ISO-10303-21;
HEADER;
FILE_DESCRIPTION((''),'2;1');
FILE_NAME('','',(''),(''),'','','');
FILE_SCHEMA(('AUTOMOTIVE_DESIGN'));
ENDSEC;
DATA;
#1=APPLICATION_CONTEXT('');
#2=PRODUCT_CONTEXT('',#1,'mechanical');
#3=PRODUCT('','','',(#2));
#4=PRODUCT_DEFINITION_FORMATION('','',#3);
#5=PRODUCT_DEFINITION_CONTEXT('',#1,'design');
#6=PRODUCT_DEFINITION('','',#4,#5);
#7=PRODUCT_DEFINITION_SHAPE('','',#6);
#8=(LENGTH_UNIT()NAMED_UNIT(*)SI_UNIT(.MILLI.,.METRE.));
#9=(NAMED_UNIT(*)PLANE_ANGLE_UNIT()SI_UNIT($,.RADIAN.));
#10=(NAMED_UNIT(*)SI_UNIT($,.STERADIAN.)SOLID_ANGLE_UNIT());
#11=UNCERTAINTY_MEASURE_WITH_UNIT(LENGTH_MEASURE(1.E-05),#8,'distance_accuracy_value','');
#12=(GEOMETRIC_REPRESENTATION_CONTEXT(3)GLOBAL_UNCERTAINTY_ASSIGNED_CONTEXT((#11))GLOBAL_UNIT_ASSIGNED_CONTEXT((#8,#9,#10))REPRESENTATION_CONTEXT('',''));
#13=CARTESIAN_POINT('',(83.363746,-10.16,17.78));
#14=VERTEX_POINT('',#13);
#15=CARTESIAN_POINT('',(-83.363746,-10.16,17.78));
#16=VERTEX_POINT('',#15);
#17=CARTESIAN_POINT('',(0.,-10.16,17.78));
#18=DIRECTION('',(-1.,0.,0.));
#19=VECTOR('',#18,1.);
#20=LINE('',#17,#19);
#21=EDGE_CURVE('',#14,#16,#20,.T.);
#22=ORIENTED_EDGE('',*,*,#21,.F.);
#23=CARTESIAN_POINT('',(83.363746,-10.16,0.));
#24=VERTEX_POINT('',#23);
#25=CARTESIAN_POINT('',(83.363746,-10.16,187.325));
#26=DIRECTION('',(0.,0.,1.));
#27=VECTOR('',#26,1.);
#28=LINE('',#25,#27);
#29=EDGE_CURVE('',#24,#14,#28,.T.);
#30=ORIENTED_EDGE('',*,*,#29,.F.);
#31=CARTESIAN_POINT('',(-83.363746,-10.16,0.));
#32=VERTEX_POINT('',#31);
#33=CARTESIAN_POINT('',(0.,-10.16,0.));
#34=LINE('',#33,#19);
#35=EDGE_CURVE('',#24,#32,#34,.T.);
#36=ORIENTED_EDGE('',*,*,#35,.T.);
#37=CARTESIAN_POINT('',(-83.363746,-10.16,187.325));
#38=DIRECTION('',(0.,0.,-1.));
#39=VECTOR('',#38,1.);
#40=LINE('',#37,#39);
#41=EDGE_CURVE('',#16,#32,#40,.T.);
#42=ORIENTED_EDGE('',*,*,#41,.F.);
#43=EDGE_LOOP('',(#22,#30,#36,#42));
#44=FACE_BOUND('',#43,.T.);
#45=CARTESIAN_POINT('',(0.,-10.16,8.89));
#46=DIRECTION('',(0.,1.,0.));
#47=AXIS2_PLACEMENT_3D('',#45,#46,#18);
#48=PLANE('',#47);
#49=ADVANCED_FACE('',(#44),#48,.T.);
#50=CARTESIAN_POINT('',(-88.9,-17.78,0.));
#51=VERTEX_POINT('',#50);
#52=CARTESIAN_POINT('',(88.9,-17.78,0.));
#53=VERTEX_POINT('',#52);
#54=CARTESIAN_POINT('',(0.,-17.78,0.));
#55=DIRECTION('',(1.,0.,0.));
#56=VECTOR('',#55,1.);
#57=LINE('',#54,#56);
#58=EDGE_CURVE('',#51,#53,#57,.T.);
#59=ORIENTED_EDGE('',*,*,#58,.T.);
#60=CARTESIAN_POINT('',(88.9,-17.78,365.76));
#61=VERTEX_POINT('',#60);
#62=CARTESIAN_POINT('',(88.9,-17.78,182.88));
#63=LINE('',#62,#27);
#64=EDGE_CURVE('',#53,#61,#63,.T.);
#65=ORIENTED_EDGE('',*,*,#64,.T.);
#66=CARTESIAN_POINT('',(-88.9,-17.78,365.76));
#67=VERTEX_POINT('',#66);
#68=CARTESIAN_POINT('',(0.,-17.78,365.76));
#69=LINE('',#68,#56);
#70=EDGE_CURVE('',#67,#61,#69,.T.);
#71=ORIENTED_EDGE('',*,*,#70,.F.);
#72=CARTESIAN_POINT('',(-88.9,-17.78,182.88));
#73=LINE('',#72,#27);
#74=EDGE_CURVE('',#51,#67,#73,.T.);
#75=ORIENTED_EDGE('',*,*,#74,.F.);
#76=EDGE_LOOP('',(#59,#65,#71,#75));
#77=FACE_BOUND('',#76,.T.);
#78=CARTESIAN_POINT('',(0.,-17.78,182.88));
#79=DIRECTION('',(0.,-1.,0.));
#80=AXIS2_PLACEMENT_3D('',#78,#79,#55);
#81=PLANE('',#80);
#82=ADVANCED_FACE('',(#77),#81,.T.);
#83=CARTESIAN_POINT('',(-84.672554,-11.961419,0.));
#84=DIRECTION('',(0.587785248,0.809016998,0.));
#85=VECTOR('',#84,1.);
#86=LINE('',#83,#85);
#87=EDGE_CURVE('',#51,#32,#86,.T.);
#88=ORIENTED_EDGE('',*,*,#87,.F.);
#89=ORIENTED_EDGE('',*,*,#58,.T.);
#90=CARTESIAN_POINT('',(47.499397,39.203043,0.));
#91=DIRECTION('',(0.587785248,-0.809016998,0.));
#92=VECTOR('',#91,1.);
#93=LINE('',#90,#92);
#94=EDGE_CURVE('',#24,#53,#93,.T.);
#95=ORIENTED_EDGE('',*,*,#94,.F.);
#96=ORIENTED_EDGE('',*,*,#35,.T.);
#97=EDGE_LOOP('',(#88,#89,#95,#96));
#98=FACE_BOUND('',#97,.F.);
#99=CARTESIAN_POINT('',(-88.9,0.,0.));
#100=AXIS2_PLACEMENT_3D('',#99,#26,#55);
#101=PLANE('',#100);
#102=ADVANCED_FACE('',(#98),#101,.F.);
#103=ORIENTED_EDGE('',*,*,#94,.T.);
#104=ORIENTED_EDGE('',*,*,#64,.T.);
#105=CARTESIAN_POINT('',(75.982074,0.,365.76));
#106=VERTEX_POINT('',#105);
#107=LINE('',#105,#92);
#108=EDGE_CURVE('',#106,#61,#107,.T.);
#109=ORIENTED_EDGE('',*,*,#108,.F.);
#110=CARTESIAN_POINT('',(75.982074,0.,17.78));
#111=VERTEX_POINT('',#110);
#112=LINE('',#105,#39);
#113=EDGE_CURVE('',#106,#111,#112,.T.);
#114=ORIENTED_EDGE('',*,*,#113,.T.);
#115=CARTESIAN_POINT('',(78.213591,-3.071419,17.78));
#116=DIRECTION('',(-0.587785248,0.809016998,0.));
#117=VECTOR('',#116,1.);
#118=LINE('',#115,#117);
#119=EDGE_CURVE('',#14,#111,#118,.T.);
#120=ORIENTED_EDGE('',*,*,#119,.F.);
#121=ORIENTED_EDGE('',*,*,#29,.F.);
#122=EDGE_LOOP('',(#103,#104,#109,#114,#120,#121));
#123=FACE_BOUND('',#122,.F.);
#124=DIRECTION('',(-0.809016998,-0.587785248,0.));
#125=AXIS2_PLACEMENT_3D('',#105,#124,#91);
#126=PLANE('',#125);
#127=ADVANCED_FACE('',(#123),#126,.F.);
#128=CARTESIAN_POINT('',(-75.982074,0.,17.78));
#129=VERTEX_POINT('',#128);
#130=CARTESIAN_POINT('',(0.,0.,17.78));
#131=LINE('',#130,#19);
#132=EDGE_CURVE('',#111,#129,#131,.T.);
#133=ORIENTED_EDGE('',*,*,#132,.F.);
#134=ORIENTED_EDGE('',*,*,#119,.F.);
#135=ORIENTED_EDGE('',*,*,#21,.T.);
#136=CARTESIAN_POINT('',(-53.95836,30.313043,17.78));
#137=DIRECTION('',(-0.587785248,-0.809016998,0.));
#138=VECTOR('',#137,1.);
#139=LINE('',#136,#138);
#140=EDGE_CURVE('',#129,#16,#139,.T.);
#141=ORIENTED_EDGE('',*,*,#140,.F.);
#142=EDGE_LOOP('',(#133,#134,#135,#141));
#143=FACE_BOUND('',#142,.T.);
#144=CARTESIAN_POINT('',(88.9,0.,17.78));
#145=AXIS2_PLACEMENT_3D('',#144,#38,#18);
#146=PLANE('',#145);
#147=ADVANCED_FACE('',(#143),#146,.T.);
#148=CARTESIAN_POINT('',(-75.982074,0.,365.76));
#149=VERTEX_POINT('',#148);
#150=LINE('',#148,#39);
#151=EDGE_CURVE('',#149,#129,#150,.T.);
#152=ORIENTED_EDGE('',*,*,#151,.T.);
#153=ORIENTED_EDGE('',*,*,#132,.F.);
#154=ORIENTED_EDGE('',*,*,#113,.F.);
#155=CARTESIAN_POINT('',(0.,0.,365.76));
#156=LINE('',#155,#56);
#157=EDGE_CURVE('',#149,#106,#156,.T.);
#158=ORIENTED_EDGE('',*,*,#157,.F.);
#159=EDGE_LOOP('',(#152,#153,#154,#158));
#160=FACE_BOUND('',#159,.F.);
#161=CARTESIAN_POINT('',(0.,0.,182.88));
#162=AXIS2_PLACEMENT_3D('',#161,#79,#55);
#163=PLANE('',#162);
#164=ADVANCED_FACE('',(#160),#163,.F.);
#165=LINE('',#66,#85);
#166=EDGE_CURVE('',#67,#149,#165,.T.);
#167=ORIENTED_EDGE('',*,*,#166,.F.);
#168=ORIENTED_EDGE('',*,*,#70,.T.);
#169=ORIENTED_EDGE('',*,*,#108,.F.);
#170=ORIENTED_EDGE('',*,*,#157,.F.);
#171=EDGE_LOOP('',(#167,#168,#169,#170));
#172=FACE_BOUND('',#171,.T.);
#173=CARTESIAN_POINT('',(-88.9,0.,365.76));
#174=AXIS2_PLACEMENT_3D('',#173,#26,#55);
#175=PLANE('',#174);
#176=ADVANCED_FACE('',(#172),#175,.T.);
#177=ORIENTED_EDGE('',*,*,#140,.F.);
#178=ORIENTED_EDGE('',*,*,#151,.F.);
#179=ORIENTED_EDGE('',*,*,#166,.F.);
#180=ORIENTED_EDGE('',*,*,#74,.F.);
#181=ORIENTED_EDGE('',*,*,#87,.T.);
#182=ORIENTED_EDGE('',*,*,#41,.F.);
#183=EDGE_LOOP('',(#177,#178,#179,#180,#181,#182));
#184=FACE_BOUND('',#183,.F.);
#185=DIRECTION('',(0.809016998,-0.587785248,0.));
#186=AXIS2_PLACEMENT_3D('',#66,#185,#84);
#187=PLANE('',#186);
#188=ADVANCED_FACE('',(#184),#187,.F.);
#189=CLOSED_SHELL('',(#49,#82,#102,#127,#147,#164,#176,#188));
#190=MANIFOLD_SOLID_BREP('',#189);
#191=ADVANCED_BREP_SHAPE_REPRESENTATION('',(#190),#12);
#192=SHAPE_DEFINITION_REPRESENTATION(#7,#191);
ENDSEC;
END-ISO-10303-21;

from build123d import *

# Parameters (mm, degrees)
F0_W     = 177.8
F0_H     = 365.76
F1_DEPTH = 17.78
F2_W     = 177.8
F2_H     = 17.78
F3_DEPTH = 10.16
F5_DEPTH = 365.761


with BuildPart() as f1:
    # F0 (on Front) → F1 (new body)
    with BuildSketch(Plane.XZ):
        with Locations((0, 182.88)):
            Rectangle(F0_W, F0_H)
    extrude(amount=F1_DEPTH)

    # F2 (on face) → F3 (cut)
    with BuildSketch(Plane(origin=(0, 0, 0), x_dir=(-1, 0, 0), z_dir=(0, 1, 0))):
        with Locations((0, 8.89)):
            Rectangle(F2_W, F2_H)
    extrude(amount=-F3_DEPTH, mode=Mode.SUBTRACT)

    # F4 (on face) → F5 (cut, through all)
    with BuildSketch(Plane.XY.offset(365.76)):
        Polygon((-88.9, 0), (-88.9, -17.78), (-75.982074, 0), align=None)
        Polygon((75.982074, 0), (88.9, -17.78), (88.9, 0), align=None)
    extrude(amount=-F5_DEPTH, mode=Mode.SUBTRACT)


solid = f1.part
